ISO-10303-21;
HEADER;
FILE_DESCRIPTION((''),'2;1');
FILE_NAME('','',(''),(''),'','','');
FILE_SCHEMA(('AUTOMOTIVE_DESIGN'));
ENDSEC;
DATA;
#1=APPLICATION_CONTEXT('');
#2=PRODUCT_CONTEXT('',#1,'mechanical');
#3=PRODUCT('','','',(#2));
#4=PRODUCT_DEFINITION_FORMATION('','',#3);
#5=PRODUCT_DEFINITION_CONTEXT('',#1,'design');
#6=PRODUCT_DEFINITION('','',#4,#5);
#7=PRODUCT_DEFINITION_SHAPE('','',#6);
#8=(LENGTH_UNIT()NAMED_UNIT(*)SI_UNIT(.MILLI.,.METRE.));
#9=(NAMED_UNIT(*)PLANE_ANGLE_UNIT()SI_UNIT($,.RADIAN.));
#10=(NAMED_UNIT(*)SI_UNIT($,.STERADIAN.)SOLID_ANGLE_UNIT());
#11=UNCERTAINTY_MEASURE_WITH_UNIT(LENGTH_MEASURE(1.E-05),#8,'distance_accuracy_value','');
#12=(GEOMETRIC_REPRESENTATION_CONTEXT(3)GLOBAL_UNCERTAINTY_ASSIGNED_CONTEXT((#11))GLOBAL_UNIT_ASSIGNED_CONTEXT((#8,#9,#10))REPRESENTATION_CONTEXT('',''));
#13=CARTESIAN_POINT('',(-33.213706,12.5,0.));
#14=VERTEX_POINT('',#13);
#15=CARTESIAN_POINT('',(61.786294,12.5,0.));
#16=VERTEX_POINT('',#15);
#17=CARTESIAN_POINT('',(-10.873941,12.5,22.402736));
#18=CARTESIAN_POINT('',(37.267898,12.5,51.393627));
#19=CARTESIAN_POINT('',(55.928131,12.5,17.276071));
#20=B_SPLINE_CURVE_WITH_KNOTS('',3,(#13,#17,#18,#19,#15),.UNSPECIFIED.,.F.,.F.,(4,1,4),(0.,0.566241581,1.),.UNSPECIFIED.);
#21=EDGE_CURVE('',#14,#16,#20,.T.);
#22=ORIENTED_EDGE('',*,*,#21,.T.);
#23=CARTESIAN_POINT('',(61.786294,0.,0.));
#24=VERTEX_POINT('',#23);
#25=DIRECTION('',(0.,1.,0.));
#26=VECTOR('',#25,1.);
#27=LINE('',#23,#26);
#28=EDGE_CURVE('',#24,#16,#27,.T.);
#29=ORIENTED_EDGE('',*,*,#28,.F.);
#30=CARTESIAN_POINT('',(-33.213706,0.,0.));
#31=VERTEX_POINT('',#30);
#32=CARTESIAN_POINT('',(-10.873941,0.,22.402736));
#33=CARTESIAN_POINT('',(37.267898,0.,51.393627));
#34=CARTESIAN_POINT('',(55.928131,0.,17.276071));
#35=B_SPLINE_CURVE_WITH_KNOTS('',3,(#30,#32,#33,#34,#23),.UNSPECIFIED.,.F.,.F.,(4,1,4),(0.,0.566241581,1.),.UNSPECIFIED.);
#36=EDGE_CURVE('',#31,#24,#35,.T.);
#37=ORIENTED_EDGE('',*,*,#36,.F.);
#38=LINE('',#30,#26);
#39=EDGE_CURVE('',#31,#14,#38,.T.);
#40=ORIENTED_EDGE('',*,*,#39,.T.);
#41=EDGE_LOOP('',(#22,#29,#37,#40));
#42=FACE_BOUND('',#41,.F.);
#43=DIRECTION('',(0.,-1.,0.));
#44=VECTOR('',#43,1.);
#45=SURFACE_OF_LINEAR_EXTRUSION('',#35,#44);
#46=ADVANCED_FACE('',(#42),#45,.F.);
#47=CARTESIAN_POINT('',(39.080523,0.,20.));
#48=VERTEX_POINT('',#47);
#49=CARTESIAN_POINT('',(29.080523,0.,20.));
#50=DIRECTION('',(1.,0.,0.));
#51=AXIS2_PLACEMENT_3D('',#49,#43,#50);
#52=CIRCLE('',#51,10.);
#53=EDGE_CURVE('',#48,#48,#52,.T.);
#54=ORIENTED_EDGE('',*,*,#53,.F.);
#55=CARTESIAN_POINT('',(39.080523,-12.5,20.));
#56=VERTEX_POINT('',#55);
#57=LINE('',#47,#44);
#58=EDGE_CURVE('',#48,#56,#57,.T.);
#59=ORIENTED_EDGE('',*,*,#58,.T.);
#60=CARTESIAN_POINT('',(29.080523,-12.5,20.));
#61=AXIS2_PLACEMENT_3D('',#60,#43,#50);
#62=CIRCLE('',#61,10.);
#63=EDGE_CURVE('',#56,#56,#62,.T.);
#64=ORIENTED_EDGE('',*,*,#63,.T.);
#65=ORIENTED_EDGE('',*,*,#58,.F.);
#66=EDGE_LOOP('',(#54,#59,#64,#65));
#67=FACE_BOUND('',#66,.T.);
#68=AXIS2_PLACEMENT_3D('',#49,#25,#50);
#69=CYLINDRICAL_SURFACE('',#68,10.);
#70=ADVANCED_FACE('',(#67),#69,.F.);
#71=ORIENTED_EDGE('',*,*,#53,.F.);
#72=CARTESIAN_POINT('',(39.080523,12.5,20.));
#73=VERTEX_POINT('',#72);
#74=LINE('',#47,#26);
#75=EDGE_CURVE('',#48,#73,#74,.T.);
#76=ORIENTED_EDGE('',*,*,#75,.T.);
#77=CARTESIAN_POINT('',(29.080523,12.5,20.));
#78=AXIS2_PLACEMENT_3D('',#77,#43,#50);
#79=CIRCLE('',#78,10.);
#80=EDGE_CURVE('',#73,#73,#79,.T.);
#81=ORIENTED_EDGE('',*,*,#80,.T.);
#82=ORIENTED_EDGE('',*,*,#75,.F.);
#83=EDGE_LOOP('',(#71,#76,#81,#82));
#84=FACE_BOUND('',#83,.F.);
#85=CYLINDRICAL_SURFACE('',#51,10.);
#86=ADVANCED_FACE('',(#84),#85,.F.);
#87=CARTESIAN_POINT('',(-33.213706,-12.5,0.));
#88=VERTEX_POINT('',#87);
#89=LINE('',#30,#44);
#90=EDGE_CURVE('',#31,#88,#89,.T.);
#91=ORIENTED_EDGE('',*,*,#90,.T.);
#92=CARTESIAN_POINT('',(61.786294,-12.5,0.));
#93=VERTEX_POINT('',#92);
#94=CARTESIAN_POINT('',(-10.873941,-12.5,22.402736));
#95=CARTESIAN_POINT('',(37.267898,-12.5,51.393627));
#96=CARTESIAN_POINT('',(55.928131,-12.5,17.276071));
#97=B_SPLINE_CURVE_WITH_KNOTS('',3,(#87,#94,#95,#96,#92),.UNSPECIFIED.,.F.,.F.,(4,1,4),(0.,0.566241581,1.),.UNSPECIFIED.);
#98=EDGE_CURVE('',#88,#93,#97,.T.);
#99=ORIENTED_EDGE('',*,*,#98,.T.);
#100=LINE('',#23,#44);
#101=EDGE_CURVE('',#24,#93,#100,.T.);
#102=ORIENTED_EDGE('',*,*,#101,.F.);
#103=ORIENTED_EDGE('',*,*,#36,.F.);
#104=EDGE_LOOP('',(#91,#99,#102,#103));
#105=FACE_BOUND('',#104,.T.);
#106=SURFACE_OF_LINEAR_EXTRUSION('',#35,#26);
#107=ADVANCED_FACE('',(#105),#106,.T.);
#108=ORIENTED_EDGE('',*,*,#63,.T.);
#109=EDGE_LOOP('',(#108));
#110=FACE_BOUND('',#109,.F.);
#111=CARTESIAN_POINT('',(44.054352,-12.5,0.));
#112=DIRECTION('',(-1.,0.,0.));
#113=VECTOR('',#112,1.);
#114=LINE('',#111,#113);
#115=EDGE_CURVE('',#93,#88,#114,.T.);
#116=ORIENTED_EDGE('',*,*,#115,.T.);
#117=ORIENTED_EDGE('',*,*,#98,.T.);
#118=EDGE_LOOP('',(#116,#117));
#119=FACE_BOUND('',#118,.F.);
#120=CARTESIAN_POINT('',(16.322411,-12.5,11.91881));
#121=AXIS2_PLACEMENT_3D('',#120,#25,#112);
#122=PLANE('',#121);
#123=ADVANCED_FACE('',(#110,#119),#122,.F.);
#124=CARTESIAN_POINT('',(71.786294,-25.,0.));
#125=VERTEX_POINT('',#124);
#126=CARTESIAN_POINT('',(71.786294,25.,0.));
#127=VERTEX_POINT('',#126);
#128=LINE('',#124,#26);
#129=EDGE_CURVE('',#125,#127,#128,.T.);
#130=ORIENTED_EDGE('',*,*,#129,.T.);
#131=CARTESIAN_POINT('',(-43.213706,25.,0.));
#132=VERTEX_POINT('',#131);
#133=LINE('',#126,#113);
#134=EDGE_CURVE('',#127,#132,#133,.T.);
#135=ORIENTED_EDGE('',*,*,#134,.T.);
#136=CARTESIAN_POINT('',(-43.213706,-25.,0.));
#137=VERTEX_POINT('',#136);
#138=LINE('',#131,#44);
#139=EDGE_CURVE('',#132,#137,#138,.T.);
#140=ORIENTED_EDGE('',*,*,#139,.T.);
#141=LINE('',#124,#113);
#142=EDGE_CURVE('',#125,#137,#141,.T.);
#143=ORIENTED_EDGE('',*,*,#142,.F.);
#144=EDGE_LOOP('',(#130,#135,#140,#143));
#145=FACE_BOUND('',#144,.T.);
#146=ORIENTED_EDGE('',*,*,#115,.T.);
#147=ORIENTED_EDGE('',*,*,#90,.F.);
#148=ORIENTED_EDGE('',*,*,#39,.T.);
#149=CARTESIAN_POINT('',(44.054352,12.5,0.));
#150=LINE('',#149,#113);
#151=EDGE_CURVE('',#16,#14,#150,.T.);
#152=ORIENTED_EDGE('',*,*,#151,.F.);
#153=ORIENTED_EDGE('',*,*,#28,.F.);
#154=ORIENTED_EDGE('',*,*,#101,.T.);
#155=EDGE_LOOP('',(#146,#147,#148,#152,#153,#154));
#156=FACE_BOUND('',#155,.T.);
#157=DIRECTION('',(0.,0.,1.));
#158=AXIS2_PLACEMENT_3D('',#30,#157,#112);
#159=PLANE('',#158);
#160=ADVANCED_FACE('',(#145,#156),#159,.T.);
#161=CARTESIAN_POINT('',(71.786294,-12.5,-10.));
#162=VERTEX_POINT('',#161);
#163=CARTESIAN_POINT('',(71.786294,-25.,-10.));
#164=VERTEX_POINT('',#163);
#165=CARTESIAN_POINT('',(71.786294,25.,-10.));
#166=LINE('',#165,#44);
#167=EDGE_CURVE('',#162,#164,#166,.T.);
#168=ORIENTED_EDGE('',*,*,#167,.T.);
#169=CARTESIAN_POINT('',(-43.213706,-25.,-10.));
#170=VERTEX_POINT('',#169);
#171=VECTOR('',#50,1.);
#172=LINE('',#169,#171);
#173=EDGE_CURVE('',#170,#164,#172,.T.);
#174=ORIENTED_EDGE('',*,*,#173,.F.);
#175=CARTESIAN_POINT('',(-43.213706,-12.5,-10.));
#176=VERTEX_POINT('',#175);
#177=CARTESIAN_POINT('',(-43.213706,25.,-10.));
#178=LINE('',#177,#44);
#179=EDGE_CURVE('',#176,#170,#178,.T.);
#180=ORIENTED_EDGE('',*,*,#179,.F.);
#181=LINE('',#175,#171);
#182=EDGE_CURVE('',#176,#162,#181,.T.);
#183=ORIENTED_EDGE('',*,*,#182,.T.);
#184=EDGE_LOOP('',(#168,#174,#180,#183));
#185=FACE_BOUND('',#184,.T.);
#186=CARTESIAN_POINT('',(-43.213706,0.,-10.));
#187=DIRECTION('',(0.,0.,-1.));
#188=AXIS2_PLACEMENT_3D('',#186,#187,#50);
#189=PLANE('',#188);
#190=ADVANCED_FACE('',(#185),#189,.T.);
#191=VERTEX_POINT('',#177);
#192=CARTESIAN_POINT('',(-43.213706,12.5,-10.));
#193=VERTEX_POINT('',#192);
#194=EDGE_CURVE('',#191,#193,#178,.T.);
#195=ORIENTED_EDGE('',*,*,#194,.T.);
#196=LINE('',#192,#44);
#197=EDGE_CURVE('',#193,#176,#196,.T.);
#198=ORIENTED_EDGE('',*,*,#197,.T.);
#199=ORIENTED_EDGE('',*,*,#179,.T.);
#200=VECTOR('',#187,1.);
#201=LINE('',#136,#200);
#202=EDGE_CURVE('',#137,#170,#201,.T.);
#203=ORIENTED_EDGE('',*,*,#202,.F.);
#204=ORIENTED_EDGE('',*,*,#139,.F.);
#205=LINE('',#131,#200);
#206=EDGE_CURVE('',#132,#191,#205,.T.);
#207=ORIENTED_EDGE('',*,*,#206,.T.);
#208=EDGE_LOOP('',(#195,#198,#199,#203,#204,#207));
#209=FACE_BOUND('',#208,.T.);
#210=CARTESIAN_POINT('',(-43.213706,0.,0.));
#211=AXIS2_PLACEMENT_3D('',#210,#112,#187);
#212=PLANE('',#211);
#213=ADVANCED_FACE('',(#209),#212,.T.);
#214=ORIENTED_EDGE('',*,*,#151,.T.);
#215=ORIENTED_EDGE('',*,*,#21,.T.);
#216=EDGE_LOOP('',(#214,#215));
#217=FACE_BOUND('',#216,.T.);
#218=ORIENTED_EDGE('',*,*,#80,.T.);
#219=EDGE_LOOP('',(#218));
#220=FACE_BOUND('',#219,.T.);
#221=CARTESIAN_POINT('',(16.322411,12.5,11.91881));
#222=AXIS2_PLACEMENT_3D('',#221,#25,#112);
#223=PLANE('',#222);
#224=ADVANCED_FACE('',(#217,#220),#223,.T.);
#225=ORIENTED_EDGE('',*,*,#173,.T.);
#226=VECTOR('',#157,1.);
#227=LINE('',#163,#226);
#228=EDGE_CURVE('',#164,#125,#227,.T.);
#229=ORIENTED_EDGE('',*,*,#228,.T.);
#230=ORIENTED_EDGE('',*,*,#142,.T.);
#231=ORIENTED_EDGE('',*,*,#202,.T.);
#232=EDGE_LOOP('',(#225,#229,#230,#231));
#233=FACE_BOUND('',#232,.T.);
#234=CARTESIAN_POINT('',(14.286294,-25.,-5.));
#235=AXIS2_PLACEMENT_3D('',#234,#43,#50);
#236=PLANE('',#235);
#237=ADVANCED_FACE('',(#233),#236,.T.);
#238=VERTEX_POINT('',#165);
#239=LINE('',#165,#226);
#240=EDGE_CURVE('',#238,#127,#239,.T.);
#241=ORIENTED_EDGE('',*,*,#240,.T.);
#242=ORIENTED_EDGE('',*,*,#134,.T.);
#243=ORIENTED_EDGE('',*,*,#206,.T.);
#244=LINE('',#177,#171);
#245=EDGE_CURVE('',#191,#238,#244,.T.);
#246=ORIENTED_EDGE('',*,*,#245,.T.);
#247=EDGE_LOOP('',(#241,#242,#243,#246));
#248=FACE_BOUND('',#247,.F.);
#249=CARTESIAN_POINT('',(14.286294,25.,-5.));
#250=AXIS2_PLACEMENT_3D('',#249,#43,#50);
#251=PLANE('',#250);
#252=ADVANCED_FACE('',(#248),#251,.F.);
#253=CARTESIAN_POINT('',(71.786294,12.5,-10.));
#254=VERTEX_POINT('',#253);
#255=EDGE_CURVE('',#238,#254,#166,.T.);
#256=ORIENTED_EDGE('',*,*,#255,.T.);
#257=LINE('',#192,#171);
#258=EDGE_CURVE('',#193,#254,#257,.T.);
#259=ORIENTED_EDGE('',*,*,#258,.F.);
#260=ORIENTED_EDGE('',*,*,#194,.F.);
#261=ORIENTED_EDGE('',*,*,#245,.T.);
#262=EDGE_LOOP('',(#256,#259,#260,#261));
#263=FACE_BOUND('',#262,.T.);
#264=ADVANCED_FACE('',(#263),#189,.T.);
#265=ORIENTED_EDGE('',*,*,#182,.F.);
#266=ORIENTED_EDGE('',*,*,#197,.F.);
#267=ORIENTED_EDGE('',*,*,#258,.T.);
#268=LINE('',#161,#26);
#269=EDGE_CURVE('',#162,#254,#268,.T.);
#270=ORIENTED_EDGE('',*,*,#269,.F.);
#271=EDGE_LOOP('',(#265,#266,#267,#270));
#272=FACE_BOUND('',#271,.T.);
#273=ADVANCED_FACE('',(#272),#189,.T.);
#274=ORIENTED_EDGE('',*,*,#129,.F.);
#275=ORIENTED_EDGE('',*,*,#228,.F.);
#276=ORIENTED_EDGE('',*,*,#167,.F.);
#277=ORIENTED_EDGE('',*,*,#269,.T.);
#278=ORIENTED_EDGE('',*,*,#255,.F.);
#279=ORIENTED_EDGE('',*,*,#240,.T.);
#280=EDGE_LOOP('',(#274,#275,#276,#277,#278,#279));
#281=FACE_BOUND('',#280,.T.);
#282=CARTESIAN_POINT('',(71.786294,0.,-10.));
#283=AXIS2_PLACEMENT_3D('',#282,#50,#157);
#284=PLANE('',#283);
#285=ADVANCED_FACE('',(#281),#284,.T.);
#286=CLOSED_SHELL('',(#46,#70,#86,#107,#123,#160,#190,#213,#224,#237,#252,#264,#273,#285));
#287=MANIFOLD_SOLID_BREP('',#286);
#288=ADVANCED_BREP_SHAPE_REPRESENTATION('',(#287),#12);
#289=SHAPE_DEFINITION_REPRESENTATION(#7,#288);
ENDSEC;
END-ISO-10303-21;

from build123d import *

# Parameters (mm, degrees)
F1_DEPTH = 25
F0_R     = 10
F2_DEPTH = 12.5


with BuildPart() as f1:
    # F0 (on Front) → F1 (new body, symmetric)
    with BuildSketch(Plane.XZ):
        Polygon((61.7862940956, 0), (-33.2137059044, 0), (-43.2137059044, 0), (-43.2137059044, -10), (71.7862940956, -10), (71.7862940956, 0), align=None)
    extrude(amount=F1_DEPTH, both=True)

    # F0 (on Front) → F2 (join, symmetric)
    with BuildSketch(Plane.XZ):
        with BuildLine():
            add(Edge.make_bspline(
                [(-33.2137059044, 0), (-10.8739413829, 22.4027355649), (37.2678980537, 51.3936268016), (55.9281312694, 17.2760705369), (61.7862940956, 0)],
                knots=[0, 0, 0, 0, 0.5662415812, 1, 1, 1, 1], degree=3))
            Line((-33.2137059044, 0), (61.7862940956, 0))
        make_face()
        with Locations((29.0805225076, 20)):
            Circle(F0_R, mode=Mode.SUBTRACT)
        Polygon((61.7862940956, 0), (-33.2137059044, 0), (-43.2137059044, 0), (-43.2137059044, -10), (71.7862940956, -10), (71.7862940956, 0), align=None)
    extrude(amount=F2_DEPTH, both=True)


solid = f1.part
